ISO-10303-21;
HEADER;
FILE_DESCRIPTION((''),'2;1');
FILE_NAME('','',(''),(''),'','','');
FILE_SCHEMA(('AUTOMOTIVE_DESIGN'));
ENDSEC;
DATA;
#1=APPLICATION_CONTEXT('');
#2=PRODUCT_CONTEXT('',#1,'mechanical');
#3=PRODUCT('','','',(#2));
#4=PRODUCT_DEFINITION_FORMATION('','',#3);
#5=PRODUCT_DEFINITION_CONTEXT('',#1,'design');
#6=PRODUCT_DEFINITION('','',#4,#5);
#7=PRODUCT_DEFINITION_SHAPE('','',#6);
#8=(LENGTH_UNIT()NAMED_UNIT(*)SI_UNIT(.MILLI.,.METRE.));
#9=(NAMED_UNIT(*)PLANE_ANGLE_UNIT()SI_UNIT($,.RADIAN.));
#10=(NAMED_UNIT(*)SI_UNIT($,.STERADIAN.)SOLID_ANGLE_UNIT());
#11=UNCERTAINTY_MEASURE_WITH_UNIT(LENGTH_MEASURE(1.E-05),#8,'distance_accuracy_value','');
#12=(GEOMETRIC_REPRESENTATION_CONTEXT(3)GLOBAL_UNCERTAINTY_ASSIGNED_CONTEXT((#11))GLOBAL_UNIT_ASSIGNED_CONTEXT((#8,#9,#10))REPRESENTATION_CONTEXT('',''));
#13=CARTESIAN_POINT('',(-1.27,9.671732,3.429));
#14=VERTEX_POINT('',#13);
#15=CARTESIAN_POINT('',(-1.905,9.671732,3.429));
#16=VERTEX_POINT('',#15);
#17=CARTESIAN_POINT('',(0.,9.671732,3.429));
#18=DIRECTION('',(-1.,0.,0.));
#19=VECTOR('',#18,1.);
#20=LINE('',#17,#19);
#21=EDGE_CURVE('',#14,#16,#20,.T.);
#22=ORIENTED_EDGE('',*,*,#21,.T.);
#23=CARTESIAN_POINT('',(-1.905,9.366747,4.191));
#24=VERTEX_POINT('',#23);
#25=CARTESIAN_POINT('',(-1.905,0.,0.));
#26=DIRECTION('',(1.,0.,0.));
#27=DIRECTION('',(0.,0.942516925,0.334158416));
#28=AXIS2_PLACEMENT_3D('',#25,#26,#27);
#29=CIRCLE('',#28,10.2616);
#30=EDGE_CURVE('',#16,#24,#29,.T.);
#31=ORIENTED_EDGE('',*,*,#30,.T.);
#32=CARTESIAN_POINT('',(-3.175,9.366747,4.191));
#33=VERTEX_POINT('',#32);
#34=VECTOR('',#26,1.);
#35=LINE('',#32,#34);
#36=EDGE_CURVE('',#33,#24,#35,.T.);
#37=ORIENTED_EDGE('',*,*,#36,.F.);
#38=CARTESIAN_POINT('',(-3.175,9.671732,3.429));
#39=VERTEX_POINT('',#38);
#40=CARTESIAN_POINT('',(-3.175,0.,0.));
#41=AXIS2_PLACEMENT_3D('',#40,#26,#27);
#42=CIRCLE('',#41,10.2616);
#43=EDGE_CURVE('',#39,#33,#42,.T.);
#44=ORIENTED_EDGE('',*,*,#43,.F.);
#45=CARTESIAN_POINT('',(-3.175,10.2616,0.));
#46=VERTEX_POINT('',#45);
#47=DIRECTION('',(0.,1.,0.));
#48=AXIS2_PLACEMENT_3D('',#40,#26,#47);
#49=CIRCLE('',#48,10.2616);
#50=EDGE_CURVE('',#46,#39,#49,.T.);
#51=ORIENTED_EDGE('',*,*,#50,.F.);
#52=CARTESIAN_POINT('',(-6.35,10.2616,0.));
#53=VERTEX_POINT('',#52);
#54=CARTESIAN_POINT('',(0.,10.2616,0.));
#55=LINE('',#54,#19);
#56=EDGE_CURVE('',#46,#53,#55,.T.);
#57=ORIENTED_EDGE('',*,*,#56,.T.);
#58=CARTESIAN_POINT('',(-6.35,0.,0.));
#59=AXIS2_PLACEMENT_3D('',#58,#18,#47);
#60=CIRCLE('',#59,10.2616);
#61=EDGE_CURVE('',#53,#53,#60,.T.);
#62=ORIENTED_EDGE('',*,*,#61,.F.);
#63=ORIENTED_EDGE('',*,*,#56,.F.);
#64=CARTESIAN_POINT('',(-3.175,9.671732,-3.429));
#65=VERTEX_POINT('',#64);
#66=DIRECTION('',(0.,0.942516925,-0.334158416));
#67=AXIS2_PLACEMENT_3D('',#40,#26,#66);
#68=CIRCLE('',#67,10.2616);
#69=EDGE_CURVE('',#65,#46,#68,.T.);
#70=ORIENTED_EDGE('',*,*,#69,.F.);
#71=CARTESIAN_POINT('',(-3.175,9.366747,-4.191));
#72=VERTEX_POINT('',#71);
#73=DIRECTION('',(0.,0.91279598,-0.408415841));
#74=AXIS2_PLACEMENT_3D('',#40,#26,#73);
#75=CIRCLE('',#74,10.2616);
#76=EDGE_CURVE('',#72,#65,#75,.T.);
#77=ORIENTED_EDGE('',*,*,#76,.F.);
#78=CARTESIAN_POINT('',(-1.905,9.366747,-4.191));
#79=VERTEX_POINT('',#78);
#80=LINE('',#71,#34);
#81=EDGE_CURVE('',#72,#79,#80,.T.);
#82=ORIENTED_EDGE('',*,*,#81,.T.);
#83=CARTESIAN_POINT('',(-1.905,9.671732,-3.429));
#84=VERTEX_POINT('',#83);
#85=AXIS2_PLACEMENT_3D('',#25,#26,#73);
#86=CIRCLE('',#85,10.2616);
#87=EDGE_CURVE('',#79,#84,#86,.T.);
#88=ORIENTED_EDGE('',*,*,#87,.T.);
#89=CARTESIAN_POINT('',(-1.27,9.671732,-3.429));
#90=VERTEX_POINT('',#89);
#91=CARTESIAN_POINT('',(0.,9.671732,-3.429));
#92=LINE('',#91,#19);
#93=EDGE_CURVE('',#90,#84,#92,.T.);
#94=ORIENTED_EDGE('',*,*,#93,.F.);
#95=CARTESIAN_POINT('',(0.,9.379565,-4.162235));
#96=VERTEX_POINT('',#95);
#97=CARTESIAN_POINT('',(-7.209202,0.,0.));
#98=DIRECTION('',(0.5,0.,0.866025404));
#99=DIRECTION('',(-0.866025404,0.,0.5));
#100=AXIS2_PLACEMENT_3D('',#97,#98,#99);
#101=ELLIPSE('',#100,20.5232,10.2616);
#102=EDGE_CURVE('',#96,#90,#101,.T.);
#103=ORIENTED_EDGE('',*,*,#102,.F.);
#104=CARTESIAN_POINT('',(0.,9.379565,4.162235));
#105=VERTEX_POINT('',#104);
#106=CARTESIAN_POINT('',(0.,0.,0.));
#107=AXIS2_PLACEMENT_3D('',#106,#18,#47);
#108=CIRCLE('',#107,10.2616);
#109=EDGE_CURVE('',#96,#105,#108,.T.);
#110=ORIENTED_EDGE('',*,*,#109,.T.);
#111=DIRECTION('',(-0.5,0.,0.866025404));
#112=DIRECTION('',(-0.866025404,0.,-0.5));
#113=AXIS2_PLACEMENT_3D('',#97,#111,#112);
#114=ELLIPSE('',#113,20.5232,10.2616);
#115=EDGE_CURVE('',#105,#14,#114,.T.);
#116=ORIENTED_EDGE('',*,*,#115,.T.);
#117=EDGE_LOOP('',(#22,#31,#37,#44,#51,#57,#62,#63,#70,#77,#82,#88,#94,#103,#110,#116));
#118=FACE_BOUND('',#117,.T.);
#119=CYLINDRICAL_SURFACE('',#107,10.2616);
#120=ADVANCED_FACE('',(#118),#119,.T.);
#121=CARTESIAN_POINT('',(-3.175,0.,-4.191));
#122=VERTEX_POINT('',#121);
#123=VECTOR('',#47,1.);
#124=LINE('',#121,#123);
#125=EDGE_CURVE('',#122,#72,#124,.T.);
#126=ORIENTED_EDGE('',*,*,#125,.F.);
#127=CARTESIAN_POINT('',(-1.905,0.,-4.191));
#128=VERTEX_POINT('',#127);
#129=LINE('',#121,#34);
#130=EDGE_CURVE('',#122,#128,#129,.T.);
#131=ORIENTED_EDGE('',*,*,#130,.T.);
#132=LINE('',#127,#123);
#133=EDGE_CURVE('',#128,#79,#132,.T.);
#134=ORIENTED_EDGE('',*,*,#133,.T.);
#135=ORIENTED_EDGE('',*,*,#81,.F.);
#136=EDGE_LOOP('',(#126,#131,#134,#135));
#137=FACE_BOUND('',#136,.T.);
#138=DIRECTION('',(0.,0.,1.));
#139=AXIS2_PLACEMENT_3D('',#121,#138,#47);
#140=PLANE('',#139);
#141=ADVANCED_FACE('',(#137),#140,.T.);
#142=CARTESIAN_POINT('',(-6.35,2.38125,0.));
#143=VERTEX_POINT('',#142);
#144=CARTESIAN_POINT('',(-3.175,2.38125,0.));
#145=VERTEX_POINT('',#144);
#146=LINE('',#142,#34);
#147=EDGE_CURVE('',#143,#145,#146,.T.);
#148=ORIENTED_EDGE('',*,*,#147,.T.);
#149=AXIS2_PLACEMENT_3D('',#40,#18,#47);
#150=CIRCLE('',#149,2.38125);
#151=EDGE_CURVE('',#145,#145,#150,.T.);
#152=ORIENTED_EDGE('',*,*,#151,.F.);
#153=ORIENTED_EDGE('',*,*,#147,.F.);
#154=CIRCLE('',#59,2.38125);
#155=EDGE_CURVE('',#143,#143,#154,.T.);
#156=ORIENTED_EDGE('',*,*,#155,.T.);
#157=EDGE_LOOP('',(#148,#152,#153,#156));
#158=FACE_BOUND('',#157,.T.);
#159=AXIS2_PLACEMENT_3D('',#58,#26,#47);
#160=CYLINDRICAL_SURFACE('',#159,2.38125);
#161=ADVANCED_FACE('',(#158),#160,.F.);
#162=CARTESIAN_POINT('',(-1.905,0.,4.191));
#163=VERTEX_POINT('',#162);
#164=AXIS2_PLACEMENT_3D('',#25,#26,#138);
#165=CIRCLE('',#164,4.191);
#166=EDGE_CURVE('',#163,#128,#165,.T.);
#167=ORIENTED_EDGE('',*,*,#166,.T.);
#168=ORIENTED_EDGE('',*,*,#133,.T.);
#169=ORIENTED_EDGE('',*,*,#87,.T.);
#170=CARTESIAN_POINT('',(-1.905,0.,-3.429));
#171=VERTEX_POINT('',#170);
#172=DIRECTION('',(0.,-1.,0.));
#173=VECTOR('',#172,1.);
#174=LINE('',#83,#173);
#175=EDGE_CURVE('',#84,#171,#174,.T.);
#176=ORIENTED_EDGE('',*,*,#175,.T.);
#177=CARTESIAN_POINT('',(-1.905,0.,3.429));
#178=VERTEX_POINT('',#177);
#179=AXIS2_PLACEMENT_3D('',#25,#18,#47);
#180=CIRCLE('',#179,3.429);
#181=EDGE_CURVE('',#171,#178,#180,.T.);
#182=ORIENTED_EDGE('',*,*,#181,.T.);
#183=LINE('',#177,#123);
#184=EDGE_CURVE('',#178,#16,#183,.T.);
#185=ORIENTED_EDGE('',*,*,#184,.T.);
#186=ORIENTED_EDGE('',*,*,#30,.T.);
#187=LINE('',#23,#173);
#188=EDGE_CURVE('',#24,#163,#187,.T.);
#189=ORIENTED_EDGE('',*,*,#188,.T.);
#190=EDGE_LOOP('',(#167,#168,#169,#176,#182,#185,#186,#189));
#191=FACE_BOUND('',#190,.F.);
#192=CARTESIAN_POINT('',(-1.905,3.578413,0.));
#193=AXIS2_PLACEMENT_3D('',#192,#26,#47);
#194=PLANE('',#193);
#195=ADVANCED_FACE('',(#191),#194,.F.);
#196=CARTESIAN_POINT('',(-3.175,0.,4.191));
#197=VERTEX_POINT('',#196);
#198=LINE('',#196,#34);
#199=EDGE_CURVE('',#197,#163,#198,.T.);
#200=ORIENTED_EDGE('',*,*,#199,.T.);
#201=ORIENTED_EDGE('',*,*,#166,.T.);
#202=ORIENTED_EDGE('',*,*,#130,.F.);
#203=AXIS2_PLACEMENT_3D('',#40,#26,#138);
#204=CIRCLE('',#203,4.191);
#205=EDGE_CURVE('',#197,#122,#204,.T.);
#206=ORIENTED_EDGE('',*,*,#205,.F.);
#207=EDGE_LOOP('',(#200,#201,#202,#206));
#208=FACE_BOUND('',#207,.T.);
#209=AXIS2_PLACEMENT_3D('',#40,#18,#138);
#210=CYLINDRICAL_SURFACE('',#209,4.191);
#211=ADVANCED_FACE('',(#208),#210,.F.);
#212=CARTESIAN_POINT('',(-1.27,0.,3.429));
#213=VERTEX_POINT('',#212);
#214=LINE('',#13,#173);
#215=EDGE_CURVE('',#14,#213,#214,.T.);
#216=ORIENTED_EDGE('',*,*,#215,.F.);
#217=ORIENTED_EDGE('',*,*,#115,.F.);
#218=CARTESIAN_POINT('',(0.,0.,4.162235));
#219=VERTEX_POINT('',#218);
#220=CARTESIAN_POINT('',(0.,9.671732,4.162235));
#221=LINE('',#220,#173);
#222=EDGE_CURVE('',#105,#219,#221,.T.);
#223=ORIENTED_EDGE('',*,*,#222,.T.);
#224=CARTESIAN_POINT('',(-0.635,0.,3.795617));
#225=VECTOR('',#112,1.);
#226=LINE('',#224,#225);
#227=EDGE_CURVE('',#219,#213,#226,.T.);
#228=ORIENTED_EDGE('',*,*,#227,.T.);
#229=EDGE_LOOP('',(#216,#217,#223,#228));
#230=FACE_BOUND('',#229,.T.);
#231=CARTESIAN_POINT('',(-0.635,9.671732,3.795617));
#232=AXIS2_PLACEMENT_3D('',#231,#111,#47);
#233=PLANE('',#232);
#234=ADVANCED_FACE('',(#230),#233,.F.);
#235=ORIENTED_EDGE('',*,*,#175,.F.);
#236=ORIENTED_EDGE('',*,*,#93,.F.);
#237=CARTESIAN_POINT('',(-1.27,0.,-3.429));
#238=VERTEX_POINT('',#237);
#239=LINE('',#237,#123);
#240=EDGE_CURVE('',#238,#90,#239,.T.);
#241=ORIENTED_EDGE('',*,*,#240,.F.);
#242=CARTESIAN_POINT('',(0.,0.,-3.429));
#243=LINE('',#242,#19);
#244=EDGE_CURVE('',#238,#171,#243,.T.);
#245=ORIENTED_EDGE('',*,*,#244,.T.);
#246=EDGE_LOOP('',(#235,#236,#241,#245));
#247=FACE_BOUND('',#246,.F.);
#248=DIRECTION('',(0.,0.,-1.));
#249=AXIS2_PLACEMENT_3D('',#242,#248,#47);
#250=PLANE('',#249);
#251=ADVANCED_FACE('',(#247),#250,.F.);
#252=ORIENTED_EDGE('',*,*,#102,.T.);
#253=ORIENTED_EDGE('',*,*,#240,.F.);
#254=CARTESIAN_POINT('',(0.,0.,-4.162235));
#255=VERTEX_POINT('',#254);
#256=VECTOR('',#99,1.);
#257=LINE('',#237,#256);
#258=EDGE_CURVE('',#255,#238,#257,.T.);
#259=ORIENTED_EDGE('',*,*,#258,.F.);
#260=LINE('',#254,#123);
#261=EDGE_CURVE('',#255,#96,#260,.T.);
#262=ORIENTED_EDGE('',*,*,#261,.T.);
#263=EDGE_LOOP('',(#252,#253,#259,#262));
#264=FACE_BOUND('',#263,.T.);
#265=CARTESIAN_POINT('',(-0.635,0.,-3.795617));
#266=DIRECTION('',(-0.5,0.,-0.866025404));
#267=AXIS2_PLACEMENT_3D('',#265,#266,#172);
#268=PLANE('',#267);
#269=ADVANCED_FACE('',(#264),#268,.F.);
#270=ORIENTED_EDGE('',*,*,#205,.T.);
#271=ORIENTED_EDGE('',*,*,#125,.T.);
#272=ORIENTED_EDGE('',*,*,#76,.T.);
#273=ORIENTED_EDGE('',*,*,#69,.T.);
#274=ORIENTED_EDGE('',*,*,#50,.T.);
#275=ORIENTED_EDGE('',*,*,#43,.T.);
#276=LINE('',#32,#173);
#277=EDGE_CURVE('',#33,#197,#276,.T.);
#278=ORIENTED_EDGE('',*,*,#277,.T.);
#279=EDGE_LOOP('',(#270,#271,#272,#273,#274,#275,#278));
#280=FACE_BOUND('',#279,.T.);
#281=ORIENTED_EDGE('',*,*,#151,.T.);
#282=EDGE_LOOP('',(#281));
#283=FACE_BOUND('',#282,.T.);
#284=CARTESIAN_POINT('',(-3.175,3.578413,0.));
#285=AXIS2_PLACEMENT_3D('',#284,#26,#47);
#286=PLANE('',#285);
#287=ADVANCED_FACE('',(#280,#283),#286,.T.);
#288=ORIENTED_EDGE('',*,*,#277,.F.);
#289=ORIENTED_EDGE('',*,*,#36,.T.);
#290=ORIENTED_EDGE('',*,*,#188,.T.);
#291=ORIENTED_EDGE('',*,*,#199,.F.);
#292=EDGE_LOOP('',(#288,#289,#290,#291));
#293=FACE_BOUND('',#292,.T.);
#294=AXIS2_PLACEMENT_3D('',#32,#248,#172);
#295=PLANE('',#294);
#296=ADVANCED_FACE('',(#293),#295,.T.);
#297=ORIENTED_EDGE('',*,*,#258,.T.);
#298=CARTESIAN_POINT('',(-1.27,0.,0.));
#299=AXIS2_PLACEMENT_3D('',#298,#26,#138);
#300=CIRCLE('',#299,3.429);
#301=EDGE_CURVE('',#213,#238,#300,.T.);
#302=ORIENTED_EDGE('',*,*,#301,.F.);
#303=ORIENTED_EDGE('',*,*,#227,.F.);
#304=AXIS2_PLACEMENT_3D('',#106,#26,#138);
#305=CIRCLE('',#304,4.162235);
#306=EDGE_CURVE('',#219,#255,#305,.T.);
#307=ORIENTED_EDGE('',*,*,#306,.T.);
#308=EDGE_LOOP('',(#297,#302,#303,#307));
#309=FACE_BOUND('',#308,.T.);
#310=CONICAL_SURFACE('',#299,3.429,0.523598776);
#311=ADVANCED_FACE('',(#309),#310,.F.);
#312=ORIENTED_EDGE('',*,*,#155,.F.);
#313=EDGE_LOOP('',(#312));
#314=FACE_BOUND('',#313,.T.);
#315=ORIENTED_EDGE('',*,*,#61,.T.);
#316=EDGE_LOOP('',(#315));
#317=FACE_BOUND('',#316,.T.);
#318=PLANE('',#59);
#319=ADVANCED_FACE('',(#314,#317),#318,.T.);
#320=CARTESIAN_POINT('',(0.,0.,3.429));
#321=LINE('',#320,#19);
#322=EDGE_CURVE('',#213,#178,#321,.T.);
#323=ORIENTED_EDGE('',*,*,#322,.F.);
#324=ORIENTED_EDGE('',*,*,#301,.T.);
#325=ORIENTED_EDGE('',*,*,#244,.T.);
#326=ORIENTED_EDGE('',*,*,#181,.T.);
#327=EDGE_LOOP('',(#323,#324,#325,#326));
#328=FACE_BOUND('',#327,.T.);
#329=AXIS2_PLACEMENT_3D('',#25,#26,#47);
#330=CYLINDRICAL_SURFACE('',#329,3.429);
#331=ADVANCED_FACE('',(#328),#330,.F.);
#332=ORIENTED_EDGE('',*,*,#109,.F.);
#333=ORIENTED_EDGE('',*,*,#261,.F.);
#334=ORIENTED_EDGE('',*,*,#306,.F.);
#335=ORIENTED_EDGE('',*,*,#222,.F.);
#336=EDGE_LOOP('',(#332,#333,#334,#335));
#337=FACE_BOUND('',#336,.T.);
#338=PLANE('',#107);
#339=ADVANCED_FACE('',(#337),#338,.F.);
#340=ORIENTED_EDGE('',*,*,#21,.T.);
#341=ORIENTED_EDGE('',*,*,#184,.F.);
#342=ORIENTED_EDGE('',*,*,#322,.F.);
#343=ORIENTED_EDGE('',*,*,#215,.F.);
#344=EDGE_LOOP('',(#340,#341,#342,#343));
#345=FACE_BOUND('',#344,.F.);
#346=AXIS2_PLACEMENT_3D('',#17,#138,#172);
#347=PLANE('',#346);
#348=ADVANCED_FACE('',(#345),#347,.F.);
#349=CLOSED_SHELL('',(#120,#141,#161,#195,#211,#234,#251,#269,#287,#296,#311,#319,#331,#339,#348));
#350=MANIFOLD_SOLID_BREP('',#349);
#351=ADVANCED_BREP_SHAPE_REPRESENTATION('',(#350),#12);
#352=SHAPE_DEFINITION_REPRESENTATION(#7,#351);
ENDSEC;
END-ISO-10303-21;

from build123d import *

# Parameters (mm, degrees)
F3_DEPTH = 3.175
F5_DEPTH = 1.27
F6_SIZE2 = 1.27
F6_SIZE  = 0.7332348419


with BuildPart() as f1:
    # F0 (on Top) → F1 (revolve)
    with BuildSketch(Plane.XY):
        Polygon((0, 3.429), (0, 10.2616), (-6.35, 10.2616), (-6.35, 2.38125), (-3.175, 2.38125), (-3.175, 4.191), (-1.905, 4.191), (-1.905, 3.429), align=None)
    revolve(axis=Axis((-3.175, 0, 0), (-1, 0, 0)))

    # F2 (on face) → F3 (cut, through all)
    with BuildSketch(Plane.YZ):
        with BuildLine():
            ThreePointArc((3.429, 0), (2.4246691527, -2.4246691527), (0, -3.429))
            Line((0, -3.429), (9.6717316733, -3.429))
            ThreePointArc((9.6717316733, -3.429), (10.1130578041, -1.7396828477), (10.2616, 0))
            ThreePointArc((10.2616, 0), (10.1130578041, 1.7396828477), (9.6717316733, 3.429))
            Line((9.6717316733, 3.429), (0, 3.429))
            ThreePointArc((0, 3.429), (2.4246691527, 2.4246691527), (3.429, 0))
        make_face()
    extrude(amount=-F3_DEPTH, mode=Mode.SUBTRACT)

    # F4 (on face) → F5 (cut)
    with BuildSketch(Plane.YZ.offset(-3.175)):
        with BuildLine():
            ThreePointArc((0, 4.191), (-4.191, 0), (0, -4.191))
            Line((0, -4.191), (9.3667472241, -4.191))
            ThreePointArc((9.3667472241, -4.191), (9.5268610088, -3.8130504689), (9.6717316733, -3.429))
            ThreePointArc((9.6717316733, -3.429), (10.2616, 0), (9.6717316733, 3.429))
            ThreePointArc((9.6717316733, 3.429), (9.5268610088, 3.8130504689), (9.3667472241, 4.191))
            Line((9.3667472241, 4.191), (0, 4.191))
        make_face()
    extrude(amount=F5_DEPTH, mode=Mode.SUBTRACT)

    # F6
    f6_edges = [f1.edges().sort_by_distance(p)[0] for p in [
        (0, 4.835866, -3.429),
        (0, 4.835866, 3.429),
    ]]
    f6_side = f1.faces().sort_by_distance((0, 4.835866, -3.715101))[0]
    chamfer(f6_edges, length=F6_SIZE, length2=F6_SIZE2, reference=f6_side)


solid = f1.part
